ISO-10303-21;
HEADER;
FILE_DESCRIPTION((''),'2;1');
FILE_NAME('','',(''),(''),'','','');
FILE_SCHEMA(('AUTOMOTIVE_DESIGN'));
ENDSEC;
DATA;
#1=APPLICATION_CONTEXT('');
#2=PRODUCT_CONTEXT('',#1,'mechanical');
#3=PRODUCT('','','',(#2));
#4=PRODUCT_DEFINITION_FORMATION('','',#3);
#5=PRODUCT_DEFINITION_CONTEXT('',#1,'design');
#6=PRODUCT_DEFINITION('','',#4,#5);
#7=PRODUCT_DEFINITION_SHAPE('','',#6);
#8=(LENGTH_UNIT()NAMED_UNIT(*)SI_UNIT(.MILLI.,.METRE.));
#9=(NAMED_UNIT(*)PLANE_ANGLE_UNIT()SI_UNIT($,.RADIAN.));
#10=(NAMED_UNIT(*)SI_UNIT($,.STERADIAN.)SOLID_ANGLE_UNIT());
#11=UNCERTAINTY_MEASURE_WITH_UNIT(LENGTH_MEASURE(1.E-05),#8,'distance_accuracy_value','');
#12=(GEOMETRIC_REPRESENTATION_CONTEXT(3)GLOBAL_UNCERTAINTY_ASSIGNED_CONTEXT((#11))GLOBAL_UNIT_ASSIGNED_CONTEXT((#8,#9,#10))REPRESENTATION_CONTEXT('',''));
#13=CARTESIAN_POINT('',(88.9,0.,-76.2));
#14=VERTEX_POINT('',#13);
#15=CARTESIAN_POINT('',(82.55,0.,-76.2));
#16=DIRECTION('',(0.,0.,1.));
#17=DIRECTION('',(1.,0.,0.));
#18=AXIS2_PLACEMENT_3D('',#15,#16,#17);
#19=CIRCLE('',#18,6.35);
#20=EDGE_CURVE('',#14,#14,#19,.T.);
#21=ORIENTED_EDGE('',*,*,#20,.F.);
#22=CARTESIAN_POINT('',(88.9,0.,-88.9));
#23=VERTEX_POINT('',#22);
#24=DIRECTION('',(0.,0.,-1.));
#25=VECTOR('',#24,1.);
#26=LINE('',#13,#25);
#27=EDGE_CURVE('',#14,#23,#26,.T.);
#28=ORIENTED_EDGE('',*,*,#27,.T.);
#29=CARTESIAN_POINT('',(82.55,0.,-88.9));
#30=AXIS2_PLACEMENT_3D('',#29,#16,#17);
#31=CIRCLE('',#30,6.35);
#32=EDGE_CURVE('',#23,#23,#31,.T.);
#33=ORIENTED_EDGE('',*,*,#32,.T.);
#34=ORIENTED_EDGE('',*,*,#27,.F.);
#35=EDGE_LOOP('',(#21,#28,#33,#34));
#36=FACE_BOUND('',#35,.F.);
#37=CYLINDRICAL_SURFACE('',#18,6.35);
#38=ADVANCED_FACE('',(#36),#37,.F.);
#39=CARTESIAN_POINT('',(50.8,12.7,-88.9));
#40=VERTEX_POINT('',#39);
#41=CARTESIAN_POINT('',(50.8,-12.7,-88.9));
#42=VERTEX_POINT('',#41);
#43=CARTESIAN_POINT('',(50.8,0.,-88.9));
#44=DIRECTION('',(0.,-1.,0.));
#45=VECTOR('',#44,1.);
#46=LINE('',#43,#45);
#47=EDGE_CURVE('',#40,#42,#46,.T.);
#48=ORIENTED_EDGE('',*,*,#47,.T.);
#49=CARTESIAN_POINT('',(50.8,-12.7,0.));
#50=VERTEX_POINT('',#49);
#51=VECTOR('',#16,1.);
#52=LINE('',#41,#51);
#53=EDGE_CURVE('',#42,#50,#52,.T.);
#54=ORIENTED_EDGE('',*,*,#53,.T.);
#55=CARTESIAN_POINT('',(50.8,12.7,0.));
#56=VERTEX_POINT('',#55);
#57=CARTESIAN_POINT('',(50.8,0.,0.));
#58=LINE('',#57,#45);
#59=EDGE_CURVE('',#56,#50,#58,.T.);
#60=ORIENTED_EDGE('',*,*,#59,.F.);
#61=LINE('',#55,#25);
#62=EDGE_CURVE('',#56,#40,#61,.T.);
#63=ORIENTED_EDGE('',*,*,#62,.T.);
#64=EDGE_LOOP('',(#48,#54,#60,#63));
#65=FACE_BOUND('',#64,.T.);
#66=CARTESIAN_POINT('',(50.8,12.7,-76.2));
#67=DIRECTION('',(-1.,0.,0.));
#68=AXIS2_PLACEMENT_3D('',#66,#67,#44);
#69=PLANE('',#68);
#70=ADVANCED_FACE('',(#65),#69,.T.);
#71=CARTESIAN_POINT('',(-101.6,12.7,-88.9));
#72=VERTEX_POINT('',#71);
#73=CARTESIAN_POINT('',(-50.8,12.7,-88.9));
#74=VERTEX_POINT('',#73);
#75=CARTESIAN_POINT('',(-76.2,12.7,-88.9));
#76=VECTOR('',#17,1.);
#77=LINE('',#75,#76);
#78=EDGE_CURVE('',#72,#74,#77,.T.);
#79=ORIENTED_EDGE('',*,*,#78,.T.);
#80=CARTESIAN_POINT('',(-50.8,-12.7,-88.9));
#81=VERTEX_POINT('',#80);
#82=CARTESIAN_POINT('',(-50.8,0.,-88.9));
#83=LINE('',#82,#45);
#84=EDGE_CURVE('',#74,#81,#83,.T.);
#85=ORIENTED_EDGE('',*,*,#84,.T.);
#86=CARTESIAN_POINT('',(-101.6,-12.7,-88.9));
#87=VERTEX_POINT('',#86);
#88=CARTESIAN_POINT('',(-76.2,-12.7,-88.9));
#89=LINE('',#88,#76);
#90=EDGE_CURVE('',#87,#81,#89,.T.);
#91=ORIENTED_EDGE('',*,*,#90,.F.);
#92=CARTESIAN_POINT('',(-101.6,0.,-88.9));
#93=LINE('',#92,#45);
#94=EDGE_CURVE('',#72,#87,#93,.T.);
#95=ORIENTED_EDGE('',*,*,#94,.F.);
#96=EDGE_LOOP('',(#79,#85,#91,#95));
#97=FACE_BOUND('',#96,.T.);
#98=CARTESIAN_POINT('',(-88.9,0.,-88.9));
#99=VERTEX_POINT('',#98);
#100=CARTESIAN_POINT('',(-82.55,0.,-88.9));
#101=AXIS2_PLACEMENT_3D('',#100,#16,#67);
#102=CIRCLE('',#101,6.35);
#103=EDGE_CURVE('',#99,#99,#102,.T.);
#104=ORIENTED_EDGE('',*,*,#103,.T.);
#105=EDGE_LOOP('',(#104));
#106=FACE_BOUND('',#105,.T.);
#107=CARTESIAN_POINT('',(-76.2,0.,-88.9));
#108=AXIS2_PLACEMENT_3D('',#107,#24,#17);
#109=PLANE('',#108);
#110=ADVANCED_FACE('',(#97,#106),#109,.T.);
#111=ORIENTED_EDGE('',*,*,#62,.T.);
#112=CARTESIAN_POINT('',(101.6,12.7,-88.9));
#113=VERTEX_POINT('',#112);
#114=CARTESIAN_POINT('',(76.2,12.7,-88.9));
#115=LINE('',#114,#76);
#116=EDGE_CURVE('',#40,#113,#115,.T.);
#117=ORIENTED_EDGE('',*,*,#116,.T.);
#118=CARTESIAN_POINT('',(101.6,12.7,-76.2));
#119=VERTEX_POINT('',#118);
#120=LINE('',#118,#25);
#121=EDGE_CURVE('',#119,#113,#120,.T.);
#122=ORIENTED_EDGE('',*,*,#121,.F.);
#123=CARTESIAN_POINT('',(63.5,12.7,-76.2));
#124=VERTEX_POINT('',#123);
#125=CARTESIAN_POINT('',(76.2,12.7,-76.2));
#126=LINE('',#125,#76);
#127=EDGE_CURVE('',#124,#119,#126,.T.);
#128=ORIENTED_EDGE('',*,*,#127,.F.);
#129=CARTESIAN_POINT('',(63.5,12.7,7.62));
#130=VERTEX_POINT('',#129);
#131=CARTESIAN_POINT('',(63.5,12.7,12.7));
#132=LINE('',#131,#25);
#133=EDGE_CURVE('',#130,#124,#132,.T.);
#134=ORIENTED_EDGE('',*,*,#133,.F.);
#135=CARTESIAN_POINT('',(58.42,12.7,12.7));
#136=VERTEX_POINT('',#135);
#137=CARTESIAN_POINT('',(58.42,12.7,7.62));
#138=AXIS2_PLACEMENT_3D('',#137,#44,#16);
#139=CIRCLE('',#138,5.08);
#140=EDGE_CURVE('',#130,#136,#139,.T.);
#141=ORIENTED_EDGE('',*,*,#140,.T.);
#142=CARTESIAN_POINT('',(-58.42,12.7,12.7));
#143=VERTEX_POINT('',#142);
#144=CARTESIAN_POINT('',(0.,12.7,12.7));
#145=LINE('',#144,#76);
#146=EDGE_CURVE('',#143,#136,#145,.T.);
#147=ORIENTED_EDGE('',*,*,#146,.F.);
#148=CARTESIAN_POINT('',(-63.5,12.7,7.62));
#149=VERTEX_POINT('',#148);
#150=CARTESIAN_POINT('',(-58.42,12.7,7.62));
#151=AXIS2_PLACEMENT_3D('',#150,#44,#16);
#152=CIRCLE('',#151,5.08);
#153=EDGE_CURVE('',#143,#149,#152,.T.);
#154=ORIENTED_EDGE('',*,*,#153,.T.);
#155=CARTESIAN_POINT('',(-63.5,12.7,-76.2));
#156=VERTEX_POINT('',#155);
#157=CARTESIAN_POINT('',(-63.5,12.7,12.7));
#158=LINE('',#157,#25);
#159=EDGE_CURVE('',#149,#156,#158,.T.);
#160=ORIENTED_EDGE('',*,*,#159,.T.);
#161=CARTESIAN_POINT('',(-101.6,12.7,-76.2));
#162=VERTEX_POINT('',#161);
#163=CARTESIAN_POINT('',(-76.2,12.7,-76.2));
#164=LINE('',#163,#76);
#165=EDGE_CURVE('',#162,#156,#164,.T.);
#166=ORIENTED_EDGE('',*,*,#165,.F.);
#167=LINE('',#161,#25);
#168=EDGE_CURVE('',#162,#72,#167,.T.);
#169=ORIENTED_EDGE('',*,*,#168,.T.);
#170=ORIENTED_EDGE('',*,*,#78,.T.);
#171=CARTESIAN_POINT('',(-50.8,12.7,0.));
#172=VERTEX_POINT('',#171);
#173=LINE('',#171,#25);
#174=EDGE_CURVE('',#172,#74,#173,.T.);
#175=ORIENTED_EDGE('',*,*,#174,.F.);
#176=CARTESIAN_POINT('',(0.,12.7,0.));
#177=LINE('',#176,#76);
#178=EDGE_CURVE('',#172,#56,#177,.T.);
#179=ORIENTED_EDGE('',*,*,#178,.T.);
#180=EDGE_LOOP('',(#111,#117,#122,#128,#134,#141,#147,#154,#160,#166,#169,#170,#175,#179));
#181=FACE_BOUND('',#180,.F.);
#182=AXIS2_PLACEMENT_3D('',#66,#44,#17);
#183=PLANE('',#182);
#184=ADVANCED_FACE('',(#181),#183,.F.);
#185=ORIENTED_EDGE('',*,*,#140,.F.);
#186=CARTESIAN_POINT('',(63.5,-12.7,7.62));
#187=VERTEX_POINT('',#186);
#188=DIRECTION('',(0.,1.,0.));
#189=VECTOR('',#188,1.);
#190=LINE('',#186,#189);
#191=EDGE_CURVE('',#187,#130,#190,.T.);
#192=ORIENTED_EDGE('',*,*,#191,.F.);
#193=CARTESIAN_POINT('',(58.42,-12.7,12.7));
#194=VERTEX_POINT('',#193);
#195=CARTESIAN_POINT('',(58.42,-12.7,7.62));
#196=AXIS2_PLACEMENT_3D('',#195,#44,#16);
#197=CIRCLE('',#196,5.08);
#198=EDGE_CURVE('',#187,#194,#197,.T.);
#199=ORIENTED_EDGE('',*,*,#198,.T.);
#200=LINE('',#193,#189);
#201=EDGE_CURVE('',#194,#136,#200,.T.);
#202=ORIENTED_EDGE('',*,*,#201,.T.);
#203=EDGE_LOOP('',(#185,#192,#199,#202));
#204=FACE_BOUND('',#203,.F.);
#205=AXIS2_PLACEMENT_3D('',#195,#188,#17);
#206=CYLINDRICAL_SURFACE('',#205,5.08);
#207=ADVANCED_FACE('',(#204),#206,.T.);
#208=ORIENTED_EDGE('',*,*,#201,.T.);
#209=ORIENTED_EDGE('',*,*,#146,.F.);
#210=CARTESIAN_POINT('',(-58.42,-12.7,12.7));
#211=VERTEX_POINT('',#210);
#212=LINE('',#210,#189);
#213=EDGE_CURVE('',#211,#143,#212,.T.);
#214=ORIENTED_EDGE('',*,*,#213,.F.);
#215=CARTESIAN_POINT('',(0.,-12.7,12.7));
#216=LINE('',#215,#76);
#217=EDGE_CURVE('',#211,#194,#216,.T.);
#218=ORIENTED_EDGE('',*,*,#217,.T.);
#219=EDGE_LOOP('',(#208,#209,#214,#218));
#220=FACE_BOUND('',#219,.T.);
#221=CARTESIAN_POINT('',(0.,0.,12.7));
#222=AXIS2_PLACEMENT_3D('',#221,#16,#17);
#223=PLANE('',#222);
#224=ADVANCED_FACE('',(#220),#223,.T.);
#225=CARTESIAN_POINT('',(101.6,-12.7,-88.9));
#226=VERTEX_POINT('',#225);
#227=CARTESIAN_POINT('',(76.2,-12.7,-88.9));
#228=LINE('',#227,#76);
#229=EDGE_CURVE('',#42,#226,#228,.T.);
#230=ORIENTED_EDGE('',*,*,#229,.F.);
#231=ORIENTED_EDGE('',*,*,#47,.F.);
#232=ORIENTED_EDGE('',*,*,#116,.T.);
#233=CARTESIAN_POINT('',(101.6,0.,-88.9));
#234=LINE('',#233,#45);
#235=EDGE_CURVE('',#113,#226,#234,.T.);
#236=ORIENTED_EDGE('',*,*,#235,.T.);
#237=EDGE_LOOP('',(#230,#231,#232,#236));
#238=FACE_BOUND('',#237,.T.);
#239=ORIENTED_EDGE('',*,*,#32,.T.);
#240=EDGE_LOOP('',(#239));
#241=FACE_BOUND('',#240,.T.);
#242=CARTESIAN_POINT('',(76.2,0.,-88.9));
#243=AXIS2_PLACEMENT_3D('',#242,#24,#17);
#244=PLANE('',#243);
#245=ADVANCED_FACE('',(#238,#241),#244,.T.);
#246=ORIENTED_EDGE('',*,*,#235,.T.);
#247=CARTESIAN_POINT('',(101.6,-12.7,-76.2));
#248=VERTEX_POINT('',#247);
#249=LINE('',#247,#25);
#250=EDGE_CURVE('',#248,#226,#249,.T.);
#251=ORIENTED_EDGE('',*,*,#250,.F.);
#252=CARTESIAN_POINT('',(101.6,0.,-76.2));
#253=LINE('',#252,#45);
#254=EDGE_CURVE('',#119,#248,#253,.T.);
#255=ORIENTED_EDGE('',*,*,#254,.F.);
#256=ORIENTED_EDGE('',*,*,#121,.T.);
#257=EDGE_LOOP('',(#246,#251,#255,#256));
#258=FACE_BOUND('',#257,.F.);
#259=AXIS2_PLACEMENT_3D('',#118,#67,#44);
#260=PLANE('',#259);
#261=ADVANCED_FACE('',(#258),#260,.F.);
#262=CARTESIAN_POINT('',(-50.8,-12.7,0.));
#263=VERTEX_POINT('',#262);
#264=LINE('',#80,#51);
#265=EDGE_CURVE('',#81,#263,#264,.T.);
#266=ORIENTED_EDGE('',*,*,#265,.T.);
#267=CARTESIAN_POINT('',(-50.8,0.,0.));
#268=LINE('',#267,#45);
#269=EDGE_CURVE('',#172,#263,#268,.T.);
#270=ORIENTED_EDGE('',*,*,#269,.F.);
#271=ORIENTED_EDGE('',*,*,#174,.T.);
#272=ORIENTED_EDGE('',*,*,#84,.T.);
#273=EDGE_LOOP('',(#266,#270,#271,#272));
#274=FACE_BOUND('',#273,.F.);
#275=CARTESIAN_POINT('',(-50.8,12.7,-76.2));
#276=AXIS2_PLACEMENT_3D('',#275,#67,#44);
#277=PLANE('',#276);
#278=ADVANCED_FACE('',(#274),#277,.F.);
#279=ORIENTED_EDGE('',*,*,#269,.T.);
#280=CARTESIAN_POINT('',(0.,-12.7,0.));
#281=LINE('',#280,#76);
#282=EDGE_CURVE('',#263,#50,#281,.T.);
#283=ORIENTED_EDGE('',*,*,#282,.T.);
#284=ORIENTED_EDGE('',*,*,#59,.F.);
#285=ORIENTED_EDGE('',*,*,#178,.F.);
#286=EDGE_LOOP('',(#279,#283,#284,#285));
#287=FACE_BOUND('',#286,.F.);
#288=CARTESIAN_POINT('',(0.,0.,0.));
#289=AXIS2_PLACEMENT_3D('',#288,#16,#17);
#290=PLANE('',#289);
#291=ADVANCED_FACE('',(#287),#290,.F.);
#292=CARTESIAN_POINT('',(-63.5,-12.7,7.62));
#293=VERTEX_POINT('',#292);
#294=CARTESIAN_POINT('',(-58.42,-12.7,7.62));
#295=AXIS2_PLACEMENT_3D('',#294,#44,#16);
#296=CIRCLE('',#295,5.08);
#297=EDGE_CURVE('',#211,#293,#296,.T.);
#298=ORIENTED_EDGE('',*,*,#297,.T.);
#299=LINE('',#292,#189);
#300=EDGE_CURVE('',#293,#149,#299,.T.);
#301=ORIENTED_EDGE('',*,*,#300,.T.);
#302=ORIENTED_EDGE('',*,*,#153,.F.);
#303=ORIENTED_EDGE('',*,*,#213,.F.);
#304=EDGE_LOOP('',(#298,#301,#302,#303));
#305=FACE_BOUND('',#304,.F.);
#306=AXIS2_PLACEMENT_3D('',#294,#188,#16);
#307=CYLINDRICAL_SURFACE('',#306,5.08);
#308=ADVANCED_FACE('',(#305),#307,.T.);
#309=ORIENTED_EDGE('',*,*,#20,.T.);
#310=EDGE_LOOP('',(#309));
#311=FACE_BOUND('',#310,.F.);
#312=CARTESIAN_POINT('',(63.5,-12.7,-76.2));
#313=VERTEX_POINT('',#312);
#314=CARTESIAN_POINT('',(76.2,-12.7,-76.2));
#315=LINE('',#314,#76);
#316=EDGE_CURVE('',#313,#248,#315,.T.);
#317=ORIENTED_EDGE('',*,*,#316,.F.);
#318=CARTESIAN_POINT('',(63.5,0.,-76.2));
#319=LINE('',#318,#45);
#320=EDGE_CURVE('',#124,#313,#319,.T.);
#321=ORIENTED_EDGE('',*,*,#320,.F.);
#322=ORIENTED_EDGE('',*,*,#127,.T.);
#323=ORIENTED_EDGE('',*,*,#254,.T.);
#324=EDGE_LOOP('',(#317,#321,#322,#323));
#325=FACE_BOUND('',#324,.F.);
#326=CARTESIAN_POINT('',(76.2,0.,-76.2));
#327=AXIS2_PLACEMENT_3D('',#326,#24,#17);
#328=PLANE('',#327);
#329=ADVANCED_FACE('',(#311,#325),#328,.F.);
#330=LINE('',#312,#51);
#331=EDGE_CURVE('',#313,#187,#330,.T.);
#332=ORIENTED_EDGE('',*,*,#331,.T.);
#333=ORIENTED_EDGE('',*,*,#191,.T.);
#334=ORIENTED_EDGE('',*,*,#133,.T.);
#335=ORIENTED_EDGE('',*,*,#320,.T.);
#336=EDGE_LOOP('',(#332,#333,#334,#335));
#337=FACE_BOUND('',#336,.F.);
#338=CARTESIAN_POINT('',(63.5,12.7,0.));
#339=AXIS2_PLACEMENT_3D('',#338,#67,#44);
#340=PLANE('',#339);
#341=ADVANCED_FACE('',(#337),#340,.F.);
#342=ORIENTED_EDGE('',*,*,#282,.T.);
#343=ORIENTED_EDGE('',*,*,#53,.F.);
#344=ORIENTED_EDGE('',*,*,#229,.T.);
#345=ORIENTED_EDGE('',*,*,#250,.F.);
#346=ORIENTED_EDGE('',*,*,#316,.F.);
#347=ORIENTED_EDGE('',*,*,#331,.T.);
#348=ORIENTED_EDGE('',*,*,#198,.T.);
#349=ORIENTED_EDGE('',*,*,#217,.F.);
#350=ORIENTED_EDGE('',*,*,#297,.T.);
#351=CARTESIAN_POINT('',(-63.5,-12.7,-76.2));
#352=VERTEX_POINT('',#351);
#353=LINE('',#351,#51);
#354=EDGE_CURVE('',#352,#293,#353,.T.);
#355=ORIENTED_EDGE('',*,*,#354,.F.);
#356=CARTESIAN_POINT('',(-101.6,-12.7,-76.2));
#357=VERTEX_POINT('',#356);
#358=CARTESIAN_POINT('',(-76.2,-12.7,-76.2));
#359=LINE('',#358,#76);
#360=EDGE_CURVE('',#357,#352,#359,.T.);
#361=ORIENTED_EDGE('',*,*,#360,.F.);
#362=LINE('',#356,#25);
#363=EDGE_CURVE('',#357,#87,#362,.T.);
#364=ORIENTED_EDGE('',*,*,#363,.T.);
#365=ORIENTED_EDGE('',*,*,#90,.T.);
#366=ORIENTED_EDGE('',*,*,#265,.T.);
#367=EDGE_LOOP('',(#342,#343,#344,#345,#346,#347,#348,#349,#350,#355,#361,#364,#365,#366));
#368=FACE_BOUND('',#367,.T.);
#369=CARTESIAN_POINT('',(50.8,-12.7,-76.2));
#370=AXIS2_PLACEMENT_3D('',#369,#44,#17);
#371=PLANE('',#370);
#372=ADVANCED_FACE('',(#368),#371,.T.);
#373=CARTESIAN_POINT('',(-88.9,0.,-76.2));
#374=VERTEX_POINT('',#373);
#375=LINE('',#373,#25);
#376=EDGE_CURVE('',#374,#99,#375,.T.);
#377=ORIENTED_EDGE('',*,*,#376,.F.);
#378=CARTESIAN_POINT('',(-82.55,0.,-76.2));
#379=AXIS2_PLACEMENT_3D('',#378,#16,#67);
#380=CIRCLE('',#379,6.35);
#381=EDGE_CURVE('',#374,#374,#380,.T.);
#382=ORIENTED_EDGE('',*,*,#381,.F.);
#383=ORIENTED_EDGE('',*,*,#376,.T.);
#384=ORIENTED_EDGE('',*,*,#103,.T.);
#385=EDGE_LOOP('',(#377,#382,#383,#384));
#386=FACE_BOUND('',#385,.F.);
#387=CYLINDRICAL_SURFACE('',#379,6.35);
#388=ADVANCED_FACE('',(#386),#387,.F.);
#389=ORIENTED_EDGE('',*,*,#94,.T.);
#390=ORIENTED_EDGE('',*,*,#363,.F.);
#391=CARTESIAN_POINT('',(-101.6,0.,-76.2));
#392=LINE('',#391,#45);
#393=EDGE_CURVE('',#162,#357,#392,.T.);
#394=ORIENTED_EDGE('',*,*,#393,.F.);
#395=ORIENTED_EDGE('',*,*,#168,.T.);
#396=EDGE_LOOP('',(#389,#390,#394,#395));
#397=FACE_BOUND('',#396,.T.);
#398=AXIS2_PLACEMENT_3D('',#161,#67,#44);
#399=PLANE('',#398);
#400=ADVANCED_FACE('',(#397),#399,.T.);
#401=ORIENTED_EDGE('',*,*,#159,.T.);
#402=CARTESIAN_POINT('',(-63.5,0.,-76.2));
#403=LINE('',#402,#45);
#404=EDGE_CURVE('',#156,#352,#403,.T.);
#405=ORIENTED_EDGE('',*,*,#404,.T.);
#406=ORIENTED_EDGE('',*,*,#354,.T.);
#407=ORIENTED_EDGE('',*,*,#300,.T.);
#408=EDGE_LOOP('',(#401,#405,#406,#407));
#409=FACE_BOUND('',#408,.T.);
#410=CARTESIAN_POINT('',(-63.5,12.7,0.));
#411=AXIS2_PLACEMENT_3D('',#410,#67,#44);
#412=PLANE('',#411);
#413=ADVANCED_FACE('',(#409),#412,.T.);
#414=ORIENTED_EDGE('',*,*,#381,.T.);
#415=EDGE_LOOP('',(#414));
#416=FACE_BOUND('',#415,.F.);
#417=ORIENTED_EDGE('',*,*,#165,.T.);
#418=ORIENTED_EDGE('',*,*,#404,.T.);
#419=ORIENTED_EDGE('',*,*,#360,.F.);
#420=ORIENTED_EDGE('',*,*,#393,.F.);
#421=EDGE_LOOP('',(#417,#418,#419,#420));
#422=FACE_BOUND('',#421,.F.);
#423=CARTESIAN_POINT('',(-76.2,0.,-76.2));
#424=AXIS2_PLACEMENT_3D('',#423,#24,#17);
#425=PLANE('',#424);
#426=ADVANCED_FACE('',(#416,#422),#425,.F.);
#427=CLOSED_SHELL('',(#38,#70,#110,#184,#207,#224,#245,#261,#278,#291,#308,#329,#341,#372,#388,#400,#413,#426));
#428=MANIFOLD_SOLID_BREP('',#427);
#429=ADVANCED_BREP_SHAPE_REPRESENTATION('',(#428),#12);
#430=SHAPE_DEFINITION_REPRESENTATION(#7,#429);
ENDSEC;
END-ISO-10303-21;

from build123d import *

# Parameters (mm, degrees)
F0_W      = 127
F0_H      = 25.4
F1_DEPTH  = 12.7
F2_W      = 12.7
F2_H      = 25.4
F3_DEPTH  = 76.2
F4_W      = 12.7
F4_H      = 25.4
F5_DEPTH  = 76.2
F6_W      = 50.8
F6_H      = 25.4
F7_DEPTH  = 12.7
F8_W      = 50.8
F8_H      = 25.4
F9_DEPTH  = 12.7
F11_DEPTH = 25.4
F13_DEPTH = 25.4
F14_R     = 5.08
F15_R     = 5.08


with BuildPart() as f1:
    # F0 (on Top) → F1 (new body)
    with BuildSketch(Plane.XY):
        Rectangle(F0_W, F0_H)
    extrude(amount=F1_DEPTH)

    # F2 (on face) → F3 (join)
    with BuildSketch(Plane(origin=(0, 0, 0), x_dir=(1, 0, 0), z_dir=(0, 0, -1))):
        with Locations((57.15, 0)):
            Rectangle(F2_W, F2_H)
    extrude(amount=F3_DEPTH)

    # F4 (on face) → F5 (join)
    with BuildSketch(Plane(origin=(0, 0, 0), x_dir=(1, 0, 0), z_dir=(0, 0, -1))):
        with Locations((-57.15, 0)):
            Rectangle(F4_W, F4_H)
    extrude(amount=F5_DEPTH)

    # F6 (on face) → F7 (join)
    with BuildSketch(Plane(origin=(0, 0, -76.2), x_dir=(1, 0, 0), z_dir=(0, 0, -1))):
        with Locations((-76.2, 0)):
            Rectangle(F6_W, F6_H)
    extrude(amount=F7_DEPTH)

    # F8 (on face) → F9 (join)
    with BuildSketch(Plane(origin=(0, 0, -76.2), x_dir=(1, 0, 0), z_dir=(0, 0, -1))):
        with Locations((76.2, 0)):
            Rectangle(F8_W, F8_H)
    extrude(amount=F9_DEPTH)

    # F10 (on face) → F11 (cut)
    with BuildSketch(Plane.XY.offset(-76.2)):
        with BuildLine():
            ThreePointArc((76.2, 0), (82.55, -6.35), (88.9, 0))
            Line((88.9, 0), (76.2, 0))
        make_face()
        with BuildLine():
            Line((76.2, 0), (88.9, 0))
            ThreePointArc((88.9, 0), (82.55, 6.35), (76.2, 0))
        make_face()
    extrude(amount=-F11_DEPTH, mode=Mode.SUBTRACT)

    # F12 (on face) → F13 (cut)
    with BuildSketch(Plane.XY.offset(-76.2)):
        with BuildLine():
            ThreePointArc((-76.2, 0), (-82.55, 6.35), (-88.9, 0))
            Line((-88.9, 0), (-76.2, 0))
        make_face()
        with BuildLine():
            Line((-76.2, 0), (-88.9, 0))
            ThreePointArc((-88.9, 0), (-82.55, -6.35), (-76.2, 0))
        make_face()
    extrude(amount=-F13_DEPTH, mode=Mode.SUBTRACT)

    # F14
    f14_edges = [f1.edges().sort_by_distance(p)[0] for p in [
        (63.5, 0, 12.7),
    ]]
    fillet(f14_edges, radius=F14_R)

    # F15
    f15_edges = [f1.edges().sort_by_distance(p)[0] for p in [
        (-63.5, 0, 12.7),
    ]]
    fillet(f15_edges, radius=F15_R)


solid = f1.part
